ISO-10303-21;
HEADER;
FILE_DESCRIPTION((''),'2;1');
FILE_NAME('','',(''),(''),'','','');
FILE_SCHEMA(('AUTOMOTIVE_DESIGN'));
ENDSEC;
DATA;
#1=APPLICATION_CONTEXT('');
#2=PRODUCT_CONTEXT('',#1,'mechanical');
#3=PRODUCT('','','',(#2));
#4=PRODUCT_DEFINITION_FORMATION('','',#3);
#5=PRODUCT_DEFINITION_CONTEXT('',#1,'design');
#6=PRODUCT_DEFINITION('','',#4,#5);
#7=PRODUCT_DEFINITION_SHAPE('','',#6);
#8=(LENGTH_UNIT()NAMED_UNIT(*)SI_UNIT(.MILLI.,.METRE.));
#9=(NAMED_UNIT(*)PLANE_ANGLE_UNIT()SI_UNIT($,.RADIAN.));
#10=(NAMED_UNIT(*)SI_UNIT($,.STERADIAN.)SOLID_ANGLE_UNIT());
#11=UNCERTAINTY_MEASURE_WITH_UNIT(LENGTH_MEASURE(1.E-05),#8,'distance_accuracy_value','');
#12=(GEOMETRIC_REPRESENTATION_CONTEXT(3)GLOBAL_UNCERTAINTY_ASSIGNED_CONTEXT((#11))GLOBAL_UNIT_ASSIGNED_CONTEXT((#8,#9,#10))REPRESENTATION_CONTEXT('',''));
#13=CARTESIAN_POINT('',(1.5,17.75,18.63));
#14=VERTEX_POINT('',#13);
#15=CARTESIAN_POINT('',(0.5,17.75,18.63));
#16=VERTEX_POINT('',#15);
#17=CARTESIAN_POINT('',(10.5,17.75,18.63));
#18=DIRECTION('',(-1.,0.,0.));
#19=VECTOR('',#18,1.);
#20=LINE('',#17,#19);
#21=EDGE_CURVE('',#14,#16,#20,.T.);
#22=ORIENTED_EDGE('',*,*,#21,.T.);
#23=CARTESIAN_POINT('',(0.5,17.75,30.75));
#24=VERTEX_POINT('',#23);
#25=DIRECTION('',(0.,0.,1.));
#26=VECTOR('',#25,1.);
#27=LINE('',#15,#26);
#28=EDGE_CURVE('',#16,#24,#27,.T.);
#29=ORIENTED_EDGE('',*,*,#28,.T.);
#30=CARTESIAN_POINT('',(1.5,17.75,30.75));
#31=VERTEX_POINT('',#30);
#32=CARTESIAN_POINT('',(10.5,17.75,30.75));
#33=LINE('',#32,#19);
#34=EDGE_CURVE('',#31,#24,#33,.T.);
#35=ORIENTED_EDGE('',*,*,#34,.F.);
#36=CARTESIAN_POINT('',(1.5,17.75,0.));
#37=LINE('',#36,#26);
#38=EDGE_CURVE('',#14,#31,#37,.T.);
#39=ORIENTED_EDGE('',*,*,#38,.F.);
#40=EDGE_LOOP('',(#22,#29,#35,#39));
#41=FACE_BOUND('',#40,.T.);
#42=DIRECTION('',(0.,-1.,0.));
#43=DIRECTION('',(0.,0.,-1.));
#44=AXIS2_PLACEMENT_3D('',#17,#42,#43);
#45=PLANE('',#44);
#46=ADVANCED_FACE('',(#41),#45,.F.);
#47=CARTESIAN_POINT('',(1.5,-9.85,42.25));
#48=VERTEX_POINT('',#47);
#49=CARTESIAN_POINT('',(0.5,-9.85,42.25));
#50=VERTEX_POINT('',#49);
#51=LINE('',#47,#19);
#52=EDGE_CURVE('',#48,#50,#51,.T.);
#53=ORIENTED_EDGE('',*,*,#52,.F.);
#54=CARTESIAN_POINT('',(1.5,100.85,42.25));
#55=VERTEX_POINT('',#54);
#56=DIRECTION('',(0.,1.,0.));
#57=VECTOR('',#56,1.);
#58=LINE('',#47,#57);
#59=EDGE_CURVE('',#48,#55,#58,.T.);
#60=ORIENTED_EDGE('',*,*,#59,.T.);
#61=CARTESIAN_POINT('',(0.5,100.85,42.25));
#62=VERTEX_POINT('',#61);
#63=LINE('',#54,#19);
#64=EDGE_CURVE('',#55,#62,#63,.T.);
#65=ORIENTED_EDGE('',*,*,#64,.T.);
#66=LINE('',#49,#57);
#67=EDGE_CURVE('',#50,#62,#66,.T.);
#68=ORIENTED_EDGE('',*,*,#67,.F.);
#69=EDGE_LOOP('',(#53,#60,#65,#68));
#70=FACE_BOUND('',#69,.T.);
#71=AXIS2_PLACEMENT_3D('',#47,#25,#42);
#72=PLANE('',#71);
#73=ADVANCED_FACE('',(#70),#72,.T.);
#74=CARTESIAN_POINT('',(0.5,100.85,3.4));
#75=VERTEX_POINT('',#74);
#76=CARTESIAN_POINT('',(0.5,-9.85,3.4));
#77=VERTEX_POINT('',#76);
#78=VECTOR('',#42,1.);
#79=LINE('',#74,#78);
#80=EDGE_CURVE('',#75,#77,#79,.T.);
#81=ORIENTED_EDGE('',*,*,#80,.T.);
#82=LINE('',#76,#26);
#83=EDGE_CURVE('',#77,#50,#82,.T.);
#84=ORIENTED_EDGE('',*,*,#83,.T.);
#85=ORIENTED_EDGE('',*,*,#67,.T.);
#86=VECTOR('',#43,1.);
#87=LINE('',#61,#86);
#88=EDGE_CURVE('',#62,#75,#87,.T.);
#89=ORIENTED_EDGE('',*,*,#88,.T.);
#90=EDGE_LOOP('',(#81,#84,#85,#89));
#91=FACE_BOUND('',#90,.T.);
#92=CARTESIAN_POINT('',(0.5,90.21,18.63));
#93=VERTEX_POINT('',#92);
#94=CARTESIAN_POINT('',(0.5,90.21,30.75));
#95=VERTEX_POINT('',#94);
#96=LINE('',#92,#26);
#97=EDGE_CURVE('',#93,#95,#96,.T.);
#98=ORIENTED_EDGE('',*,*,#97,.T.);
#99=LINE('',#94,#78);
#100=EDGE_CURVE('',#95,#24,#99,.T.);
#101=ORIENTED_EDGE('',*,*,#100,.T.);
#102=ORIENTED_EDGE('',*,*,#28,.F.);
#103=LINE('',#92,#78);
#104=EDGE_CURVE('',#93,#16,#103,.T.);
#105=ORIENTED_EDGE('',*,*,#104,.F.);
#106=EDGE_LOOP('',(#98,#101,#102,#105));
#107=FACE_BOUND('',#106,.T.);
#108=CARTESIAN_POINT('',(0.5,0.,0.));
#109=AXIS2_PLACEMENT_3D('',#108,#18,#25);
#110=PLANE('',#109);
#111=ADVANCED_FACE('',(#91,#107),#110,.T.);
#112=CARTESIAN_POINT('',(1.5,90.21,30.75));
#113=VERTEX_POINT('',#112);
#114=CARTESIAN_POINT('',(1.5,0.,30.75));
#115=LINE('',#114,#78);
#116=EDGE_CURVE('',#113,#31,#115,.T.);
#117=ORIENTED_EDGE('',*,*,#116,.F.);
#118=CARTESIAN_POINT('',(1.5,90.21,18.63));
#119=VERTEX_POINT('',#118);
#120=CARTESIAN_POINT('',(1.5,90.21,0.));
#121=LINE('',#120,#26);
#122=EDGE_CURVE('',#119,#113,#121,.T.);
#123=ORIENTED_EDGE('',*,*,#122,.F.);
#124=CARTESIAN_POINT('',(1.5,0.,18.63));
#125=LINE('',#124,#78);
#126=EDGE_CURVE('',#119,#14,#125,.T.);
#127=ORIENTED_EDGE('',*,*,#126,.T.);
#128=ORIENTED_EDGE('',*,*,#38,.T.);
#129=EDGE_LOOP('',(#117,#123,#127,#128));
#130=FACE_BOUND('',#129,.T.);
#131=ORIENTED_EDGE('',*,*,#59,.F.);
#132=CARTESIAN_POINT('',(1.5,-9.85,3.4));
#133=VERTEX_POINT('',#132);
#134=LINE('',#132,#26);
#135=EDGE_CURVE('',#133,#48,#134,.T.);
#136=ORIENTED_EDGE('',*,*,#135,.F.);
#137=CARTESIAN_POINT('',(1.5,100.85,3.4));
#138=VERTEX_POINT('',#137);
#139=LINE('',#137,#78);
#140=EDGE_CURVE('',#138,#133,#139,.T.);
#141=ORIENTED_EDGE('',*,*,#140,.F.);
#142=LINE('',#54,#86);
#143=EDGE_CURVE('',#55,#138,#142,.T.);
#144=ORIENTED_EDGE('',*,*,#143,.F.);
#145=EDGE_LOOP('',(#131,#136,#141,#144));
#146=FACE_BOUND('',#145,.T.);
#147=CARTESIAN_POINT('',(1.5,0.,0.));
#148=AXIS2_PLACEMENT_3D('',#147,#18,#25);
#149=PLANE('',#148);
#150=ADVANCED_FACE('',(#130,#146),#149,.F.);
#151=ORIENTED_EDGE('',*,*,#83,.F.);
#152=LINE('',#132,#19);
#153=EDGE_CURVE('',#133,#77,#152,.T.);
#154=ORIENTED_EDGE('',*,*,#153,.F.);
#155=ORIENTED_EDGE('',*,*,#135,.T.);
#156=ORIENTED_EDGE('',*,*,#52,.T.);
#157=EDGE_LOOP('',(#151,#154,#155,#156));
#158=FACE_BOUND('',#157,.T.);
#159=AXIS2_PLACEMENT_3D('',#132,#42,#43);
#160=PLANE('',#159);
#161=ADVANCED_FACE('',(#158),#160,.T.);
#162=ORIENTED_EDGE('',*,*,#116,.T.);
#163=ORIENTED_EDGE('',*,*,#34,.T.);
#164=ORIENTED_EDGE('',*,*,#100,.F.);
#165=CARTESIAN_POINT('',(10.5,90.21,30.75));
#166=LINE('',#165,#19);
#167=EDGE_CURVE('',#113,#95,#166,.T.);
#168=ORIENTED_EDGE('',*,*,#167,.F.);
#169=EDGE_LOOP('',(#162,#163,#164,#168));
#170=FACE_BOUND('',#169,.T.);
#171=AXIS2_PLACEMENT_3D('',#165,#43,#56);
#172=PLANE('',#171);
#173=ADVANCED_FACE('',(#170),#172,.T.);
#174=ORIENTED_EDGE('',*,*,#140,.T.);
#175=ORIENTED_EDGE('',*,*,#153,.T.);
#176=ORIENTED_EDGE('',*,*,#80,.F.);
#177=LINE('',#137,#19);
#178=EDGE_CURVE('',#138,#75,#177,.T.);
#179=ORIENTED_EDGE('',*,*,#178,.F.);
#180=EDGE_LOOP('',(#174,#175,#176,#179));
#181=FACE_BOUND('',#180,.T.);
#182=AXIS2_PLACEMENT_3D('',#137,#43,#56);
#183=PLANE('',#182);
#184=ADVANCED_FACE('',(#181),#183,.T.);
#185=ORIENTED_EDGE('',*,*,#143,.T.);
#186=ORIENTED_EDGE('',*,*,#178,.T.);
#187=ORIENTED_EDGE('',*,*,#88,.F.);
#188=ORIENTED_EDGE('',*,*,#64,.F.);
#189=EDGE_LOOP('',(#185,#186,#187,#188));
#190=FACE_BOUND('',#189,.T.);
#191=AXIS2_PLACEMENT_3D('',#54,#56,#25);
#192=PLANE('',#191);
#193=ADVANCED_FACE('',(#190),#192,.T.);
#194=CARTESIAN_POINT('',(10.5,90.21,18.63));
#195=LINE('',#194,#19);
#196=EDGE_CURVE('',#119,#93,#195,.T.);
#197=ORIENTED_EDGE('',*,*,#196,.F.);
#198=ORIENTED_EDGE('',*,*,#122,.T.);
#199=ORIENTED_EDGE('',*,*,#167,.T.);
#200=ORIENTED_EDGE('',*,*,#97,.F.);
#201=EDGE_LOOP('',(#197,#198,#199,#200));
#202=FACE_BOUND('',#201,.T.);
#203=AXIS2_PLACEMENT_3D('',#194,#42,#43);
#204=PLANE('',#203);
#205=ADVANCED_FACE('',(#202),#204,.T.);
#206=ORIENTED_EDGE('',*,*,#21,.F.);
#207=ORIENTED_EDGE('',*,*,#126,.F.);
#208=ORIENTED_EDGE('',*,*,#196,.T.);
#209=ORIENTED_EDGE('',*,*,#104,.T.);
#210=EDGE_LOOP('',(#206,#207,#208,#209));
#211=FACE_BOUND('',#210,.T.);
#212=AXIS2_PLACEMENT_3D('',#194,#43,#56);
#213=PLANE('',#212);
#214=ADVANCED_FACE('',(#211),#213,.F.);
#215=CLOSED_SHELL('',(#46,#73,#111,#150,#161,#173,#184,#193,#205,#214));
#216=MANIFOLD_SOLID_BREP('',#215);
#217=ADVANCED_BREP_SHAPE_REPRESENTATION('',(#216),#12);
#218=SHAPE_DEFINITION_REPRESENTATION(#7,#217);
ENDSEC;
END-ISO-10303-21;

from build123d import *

# Parameters (mm, degrees)
SKETCH_1_W          = 110.7
SKETCH_1_H          = 38.85
EXTRUDE_1_DEPTH     = 1
SKETCH_2_W          = 12.12
SKETCH_2_H          = 72.46
CUT_EXTRUDE_1_DEPTH = 10


with BuildPart() as part:
    # Эскиз1 → Бобышка-Вытянуть1 (new body)
    with BuildSketch(Plane(origin=(0.5, 0, 0), x_dir=(0, -1, 0), z_dir=(-1, 0, 0))):
        with Locations((-45.5, 22.825)):
            Rectangle(SKETCH_1_W, SKETCH_1_H)
    extrude(amount=-EXTRUDE_1_DEPTH)

    # Эскиз2 → Вырез-Вытянуть1 (cut)
    with BuildSketch(Plane.ZY.offset(-0.5)):
        with Locations((24.69, 53.98)):
            Rectangle(SKETCH_2_W, SKETCH_2_H)
    extrude(amount=-CUT_EXTRUDE_1_DEPTH, mode=Mode.SUBTRACT)


solid = part.part
